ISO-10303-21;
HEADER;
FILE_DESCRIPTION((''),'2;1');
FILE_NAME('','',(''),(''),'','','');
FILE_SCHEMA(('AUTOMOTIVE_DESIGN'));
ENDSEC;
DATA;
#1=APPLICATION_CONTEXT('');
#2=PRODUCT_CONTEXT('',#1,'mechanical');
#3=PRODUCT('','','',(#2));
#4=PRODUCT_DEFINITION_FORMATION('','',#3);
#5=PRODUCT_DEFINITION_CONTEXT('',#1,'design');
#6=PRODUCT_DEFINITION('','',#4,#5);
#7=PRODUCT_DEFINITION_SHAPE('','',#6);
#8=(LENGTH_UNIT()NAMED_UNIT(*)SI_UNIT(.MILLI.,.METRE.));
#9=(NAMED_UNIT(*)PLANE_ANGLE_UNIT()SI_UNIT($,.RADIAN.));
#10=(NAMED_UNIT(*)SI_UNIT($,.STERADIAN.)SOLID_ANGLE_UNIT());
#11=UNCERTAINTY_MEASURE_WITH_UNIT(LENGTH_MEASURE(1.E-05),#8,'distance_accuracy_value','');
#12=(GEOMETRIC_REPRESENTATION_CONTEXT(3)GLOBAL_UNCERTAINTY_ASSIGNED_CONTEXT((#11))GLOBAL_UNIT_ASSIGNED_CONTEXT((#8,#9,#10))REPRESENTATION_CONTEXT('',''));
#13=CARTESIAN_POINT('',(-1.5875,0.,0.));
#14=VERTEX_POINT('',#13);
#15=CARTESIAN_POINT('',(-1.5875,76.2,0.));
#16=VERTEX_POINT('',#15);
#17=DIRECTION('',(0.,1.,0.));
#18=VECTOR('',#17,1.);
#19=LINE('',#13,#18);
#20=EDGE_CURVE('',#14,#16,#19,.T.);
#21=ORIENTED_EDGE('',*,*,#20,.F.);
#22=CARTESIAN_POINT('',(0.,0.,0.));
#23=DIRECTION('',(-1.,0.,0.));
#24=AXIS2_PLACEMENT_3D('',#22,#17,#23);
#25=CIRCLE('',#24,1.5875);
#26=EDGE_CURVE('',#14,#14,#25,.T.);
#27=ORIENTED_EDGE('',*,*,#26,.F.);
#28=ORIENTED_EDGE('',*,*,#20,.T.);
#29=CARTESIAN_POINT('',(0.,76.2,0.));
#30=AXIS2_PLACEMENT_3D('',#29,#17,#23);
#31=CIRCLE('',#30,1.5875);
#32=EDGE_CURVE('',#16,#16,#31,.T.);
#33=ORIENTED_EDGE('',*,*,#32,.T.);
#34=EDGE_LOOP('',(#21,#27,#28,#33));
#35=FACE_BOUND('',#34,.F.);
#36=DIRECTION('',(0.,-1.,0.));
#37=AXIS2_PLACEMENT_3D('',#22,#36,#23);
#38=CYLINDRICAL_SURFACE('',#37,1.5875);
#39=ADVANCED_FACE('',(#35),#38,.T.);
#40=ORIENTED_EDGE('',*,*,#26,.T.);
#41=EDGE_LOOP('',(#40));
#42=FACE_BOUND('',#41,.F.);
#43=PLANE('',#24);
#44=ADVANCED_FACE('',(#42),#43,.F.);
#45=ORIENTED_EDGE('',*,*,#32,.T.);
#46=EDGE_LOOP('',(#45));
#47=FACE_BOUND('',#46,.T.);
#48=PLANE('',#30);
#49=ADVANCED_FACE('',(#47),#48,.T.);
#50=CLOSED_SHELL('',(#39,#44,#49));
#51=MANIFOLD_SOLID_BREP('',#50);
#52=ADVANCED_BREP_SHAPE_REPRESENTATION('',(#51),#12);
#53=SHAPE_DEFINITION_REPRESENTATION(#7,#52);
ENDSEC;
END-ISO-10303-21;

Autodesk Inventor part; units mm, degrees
ref_plane "YZ Plane" through (0, 0, 0) normal (1, 0, 0) x (0, 1, 0)
ref_plane "XZ Plane" through (0, 0, 0) normal (0, 1, 0) x (-1, 0, 0)
ref_plane "XY Plane" through (0, 0, 0) normal (0, 0, 1) x (1, 0, 0)
sketch "Sketch1" plane through (0, 0, 0) normal (0, 1, 0) x (-1, 0, 0)
  circle A0 centre (0, 0) radius 1.5875
  dimension "d0" = 3.175
extrude "Extrusion1" add sketch "Sketch1" along normal blind 76.2
properties part number "Valve Test"
